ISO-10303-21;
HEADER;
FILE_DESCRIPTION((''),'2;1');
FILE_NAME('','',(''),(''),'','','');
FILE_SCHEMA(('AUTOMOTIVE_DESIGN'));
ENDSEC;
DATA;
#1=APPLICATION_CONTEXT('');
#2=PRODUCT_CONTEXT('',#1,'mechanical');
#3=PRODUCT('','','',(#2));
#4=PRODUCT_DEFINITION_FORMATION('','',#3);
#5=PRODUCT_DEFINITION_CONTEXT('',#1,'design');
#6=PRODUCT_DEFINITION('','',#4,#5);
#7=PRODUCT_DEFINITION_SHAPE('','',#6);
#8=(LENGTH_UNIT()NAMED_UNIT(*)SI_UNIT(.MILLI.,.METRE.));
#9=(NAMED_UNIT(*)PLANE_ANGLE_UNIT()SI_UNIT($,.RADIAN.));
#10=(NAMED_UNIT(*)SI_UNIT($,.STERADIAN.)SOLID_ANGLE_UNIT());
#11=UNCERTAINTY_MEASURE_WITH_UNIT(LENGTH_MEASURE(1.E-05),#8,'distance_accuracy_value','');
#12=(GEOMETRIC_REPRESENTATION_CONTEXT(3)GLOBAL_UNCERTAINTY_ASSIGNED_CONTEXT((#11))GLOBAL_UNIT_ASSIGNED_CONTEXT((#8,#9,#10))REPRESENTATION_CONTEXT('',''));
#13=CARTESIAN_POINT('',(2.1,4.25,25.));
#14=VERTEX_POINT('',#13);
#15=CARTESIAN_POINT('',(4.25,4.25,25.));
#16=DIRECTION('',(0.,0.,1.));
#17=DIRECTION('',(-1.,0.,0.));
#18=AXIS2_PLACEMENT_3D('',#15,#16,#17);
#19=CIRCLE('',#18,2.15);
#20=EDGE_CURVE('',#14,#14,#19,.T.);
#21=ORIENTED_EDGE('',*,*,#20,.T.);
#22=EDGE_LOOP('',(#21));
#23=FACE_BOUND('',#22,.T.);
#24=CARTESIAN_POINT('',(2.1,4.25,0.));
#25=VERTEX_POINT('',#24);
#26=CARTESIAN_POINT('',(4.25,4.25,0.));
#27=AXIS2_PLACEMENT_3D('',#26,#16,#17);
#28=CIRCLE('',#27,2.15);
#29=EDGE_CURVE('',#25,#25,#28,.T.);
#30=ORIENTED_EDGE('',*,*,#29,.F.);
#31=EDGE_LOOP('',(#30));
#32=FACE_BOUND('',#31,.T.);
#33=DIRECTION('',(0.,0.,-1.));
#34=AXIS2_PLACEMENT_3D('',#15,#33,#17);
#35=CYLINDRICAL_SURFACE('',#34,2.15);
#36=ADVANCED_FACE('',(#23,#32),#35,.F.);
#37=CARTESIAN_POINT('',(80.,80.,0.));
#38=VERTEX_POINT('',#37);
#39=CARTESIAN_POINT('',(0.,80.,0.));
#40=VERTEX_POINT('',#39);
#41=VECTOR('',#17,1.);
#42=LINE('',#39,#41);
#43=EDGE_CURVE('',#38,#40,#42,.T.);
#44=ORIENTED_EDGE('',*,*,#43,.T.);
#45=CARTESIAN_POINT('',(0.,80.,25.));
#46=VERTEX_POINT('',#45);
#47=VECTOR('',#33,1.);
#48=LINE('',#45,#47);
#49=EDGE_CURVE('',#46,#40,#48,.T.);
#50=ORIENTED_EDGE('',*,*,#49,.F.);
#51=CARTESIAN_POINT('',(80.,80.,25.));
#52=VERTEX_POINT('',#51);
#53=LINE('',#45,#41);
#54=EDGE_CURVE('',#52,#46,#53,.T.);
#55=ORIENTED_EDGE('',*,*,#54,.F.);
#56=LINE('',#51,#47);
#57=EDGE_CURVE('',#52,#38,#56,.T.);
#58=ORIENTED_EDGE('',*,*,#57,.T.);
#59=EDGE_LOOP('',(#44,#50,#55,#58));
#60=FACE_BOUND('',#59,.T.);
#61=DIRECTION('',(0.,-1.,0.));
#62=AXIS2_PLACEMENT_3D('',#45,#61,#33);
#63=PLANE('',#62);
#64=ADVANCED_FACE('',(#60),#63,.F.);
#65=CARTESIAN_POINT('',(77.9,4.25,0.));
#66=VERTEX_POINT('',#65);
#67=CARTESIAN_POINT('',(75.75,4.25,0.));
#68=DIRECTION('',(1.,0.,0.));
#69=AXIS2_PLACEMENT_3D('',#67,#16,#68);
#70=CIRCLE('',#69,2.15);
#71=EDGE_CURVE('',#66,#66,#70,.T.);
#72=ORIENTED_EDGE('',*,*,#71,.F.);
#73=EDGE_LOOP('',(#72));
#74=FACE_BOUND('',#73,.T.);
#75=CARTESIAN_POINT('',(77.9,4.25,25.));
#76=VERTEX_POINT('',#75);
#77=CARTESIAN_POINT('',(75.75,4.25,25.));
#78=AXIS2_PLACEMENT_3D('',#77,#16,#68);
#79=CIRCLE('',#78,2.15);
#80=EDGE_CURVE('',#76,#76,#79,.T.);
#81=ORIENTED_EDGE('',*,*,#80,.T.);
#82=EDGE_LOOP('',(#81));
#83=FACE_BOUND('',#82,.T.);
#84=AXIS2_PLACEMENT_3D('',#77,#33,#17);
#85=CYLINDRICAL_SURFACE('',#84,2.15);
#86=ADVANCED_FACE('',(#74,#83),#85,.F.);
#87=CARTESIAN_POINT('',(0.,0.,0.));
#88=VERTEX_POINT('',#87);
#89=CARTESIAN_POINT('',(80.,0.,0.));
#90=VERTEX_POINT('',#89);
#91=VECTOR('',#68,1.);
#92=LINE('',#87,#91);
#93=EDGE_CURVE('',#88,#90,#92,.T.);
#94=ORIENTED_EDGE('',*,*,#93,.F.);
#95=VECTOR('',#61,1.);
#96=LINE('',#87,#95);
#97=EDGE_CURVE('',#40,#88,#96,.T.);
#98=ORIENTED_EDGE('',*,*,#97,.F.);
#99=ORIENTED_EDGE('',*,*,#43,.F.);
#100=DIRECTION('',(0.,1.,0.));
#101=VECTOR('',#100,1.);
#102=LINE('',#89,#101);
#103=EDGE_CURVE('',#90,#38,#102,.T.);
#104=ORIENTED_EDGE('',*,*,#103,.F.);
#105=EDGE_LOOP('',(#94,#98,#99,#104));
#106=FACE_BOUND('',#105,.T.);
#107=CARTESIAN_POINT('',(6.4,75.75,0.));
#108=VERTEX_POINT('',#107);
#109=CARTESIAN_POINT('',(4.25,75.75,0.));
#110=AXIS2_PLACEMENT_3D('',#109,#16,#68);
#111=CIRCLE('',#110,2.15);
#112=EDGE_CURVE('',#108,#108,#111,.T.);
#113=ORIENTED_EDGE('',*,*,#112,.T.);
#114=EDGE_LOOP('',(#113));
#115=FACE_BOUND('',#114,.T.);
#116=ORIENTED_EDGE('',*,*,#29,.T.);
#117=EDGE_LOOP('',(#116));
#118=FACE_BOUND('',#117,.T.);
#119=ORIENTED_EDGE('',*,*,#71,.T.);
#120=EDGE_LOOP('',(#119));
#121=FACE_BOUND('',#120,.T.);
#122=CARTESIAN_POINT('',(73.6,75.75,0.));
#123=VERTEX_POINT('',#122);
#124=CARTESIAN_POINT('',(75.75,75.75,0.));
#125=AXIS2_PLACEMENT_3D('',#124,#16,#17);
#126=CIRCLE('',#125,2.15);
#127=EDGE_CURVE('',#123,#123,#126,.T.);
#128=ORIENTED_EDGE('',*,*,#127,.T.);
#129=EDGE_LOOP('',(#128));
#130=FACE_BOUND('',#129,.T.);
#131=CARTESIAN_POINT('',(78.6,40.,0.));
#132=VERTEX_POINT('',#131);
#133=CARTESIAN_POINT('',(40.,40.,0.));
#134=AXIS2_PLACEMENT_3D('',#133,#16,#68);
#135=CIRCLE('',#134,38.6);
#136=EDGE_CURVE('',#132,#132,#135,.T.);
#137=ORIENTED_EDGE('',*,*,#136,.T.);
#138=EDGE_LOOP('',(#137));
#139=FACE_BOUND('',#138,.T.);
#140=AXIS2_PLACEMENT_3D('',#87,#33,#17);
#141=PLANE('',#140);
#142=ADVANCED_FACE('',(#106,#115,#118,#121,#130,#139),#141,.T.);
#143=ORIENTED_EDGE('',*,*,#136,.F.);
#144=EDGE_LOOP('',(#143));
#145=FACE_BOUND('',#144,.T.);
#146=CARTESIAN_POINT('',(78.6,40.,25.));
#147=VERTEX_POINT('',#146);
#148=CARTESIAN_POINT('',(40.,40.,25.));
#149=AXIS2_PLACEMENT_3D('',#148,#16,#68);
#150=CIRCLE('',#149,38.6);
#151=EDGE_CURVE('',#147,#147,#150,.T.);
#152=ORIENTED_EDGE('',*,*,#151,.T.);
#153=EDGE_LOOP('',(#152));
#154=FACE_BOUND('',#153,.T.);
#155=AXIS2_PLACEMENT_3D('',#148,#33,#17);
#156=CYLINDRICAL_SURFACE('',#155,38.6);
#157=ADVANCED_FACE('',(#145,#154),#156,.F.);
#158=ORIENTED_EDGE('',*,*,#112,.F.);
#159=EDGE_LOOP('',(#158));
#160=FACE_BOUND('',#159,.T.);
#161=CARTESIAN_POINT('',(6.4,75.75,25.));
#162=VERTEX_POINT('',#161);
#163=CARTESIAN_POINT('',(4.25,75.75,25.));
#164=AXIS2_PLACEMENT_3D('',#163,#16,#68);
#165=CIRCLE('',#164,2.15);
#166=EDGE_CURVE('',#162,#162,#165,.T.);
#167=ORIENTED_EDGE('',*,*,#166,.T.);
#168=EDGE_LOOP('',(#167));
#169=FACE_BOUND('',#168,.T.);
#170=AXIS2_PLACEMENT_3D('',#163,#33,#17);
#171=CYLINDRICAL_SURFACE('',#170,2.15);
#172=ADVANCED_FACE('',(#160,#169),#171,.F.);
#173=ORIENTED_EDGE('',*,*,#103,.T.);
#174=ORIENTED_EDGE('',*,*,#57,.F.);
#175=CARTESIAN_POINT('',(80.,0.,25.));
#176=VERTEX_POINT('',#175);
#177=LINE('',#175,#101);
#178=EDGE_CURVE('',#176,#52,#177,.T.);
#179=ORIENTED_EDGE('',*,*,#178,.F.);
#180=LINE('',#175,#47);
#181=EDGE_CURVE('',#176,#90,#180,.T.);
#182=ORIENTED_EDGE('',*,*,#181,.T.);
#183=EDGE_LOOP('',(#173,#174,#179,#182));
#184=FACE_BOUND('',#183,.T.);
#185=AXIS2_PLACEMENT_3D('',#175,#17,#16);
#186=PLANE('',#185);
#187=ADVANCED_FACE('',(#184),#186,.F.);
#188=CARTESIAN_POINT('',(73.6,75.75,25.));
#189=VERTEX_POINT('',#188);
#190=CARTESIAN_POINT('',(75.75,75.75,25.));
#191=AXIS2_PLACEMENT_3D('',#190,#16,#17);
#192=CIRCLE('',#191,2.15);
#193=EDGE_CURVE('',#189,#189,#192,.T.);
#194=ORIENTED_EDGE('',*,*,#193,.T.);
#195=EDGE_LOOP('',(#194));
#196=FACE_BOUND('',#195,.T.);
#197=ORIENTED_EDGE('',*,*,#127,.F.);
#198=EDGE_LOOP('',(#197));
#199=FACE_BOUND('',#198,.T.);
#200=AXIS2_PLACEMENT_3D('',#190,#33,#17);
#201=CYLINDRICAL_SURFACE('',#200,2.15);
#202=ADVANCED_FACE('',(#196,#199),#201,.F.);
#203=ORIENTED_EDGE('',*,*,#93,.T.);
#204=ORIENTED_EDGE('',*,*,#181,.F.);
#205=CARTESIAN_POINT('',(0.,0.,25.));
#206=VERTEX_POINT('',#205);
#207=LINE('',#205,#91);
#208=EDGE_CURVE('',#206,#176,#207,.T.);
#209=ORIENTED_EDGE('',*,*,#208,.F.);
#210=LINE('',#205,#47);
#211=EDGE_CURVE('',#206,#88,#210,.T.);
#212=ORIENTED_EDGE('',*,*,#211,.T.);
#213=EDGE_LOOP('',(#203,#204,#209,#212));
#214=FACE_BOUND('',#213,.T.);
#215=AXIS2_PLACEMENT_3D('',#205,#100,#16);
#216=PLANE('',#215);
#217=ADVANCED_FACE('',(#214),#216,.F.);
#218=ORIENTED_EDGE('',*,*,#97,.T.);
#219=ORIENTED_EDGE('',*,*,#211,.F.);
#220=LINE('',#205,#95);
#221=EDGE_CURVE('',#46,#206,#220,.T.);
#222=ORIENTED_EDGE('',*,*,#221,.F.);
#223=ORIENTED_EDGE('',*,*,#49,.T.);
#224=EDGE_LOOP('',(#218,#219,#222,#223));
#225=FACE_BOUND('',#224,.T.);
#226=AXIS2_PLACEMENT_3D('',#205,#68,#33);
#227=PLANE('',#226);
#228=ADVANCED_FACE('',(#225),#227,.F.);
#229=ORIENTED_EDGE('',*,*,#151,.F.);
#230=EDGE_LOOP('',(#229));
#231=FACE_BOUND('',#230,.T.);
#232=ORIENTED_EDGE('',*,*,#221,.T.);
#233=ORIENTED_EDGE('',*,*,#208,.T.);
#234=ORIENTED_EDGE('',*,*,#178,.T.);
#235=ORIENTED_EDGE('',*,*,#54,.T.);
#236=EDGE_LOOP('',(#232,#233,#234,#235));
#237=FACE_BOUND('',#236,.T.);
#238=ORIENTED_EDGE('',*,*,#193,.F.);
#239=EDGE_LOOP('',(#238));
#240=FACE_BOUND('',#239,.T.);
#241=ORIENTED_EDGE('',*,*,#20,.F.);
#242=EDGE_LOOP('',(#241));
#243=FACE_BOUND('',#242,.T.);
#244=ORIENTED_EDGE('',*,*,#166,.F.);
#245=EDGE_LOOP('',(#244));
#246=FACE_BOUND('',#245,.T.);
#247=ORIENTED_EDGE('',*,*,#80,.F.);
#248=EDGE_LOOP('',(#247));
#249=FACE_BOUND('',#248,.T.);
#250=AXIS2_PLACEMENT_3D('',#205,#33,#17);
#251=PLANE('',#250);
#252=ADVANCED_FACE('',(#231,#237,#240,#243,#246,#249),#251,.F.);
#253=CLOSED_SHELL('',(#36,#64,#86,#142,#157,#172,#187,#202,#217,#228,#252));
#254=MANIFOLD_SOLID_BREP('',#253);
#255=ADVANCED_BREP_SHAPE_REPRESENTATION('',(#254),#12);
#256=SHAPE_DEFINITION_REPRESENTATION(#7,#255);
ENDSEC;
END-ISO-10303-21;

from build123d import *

# Parameters (mm, degrees)
SKETCH1_W           = 80
SKETCH1_H           = 80
SKETCH1_R           = 38.6
SKETCH1_R_2         = 2.15
BOSS_EXTRUDE1_DEPTH = 25


with BuildPart() as part:
    # Sketch1 → Boss-Extrude1 (new body)
    with BuildSketch(Plane.XY):
        with Locations((40, 40)):
            Rectangle(SKETCH1_W, SKETCH1_H)
        with Locations((40, 40)):
            Circle(SKETCH1_R, mode=Mode.SUBTRACT)
        with Locations((4.25, 75.75)):
            Circle(SKETCH1_R_2, mode=Mode.SUBTRACT)
        with Locations(Location((75.75, 75.75, 0), (0, 0, 180))):
            Circle(SKETCH1_R_2, mode=Mode.SUBTRACT)
        with Locations(Location((4.25, 4.25, 0), (0, 0, 180))):
            Circle(SKETCH1_R_2, mode=Mode.SUBTRACT)
        with Locations((75.75, 4.25)):
            Circle(SKETCH1_R_2, mode=Mode.SUBTRACT)
    extrude(amount=BOSS_EXTRUDE1_DEPTH)


solid = part.part
